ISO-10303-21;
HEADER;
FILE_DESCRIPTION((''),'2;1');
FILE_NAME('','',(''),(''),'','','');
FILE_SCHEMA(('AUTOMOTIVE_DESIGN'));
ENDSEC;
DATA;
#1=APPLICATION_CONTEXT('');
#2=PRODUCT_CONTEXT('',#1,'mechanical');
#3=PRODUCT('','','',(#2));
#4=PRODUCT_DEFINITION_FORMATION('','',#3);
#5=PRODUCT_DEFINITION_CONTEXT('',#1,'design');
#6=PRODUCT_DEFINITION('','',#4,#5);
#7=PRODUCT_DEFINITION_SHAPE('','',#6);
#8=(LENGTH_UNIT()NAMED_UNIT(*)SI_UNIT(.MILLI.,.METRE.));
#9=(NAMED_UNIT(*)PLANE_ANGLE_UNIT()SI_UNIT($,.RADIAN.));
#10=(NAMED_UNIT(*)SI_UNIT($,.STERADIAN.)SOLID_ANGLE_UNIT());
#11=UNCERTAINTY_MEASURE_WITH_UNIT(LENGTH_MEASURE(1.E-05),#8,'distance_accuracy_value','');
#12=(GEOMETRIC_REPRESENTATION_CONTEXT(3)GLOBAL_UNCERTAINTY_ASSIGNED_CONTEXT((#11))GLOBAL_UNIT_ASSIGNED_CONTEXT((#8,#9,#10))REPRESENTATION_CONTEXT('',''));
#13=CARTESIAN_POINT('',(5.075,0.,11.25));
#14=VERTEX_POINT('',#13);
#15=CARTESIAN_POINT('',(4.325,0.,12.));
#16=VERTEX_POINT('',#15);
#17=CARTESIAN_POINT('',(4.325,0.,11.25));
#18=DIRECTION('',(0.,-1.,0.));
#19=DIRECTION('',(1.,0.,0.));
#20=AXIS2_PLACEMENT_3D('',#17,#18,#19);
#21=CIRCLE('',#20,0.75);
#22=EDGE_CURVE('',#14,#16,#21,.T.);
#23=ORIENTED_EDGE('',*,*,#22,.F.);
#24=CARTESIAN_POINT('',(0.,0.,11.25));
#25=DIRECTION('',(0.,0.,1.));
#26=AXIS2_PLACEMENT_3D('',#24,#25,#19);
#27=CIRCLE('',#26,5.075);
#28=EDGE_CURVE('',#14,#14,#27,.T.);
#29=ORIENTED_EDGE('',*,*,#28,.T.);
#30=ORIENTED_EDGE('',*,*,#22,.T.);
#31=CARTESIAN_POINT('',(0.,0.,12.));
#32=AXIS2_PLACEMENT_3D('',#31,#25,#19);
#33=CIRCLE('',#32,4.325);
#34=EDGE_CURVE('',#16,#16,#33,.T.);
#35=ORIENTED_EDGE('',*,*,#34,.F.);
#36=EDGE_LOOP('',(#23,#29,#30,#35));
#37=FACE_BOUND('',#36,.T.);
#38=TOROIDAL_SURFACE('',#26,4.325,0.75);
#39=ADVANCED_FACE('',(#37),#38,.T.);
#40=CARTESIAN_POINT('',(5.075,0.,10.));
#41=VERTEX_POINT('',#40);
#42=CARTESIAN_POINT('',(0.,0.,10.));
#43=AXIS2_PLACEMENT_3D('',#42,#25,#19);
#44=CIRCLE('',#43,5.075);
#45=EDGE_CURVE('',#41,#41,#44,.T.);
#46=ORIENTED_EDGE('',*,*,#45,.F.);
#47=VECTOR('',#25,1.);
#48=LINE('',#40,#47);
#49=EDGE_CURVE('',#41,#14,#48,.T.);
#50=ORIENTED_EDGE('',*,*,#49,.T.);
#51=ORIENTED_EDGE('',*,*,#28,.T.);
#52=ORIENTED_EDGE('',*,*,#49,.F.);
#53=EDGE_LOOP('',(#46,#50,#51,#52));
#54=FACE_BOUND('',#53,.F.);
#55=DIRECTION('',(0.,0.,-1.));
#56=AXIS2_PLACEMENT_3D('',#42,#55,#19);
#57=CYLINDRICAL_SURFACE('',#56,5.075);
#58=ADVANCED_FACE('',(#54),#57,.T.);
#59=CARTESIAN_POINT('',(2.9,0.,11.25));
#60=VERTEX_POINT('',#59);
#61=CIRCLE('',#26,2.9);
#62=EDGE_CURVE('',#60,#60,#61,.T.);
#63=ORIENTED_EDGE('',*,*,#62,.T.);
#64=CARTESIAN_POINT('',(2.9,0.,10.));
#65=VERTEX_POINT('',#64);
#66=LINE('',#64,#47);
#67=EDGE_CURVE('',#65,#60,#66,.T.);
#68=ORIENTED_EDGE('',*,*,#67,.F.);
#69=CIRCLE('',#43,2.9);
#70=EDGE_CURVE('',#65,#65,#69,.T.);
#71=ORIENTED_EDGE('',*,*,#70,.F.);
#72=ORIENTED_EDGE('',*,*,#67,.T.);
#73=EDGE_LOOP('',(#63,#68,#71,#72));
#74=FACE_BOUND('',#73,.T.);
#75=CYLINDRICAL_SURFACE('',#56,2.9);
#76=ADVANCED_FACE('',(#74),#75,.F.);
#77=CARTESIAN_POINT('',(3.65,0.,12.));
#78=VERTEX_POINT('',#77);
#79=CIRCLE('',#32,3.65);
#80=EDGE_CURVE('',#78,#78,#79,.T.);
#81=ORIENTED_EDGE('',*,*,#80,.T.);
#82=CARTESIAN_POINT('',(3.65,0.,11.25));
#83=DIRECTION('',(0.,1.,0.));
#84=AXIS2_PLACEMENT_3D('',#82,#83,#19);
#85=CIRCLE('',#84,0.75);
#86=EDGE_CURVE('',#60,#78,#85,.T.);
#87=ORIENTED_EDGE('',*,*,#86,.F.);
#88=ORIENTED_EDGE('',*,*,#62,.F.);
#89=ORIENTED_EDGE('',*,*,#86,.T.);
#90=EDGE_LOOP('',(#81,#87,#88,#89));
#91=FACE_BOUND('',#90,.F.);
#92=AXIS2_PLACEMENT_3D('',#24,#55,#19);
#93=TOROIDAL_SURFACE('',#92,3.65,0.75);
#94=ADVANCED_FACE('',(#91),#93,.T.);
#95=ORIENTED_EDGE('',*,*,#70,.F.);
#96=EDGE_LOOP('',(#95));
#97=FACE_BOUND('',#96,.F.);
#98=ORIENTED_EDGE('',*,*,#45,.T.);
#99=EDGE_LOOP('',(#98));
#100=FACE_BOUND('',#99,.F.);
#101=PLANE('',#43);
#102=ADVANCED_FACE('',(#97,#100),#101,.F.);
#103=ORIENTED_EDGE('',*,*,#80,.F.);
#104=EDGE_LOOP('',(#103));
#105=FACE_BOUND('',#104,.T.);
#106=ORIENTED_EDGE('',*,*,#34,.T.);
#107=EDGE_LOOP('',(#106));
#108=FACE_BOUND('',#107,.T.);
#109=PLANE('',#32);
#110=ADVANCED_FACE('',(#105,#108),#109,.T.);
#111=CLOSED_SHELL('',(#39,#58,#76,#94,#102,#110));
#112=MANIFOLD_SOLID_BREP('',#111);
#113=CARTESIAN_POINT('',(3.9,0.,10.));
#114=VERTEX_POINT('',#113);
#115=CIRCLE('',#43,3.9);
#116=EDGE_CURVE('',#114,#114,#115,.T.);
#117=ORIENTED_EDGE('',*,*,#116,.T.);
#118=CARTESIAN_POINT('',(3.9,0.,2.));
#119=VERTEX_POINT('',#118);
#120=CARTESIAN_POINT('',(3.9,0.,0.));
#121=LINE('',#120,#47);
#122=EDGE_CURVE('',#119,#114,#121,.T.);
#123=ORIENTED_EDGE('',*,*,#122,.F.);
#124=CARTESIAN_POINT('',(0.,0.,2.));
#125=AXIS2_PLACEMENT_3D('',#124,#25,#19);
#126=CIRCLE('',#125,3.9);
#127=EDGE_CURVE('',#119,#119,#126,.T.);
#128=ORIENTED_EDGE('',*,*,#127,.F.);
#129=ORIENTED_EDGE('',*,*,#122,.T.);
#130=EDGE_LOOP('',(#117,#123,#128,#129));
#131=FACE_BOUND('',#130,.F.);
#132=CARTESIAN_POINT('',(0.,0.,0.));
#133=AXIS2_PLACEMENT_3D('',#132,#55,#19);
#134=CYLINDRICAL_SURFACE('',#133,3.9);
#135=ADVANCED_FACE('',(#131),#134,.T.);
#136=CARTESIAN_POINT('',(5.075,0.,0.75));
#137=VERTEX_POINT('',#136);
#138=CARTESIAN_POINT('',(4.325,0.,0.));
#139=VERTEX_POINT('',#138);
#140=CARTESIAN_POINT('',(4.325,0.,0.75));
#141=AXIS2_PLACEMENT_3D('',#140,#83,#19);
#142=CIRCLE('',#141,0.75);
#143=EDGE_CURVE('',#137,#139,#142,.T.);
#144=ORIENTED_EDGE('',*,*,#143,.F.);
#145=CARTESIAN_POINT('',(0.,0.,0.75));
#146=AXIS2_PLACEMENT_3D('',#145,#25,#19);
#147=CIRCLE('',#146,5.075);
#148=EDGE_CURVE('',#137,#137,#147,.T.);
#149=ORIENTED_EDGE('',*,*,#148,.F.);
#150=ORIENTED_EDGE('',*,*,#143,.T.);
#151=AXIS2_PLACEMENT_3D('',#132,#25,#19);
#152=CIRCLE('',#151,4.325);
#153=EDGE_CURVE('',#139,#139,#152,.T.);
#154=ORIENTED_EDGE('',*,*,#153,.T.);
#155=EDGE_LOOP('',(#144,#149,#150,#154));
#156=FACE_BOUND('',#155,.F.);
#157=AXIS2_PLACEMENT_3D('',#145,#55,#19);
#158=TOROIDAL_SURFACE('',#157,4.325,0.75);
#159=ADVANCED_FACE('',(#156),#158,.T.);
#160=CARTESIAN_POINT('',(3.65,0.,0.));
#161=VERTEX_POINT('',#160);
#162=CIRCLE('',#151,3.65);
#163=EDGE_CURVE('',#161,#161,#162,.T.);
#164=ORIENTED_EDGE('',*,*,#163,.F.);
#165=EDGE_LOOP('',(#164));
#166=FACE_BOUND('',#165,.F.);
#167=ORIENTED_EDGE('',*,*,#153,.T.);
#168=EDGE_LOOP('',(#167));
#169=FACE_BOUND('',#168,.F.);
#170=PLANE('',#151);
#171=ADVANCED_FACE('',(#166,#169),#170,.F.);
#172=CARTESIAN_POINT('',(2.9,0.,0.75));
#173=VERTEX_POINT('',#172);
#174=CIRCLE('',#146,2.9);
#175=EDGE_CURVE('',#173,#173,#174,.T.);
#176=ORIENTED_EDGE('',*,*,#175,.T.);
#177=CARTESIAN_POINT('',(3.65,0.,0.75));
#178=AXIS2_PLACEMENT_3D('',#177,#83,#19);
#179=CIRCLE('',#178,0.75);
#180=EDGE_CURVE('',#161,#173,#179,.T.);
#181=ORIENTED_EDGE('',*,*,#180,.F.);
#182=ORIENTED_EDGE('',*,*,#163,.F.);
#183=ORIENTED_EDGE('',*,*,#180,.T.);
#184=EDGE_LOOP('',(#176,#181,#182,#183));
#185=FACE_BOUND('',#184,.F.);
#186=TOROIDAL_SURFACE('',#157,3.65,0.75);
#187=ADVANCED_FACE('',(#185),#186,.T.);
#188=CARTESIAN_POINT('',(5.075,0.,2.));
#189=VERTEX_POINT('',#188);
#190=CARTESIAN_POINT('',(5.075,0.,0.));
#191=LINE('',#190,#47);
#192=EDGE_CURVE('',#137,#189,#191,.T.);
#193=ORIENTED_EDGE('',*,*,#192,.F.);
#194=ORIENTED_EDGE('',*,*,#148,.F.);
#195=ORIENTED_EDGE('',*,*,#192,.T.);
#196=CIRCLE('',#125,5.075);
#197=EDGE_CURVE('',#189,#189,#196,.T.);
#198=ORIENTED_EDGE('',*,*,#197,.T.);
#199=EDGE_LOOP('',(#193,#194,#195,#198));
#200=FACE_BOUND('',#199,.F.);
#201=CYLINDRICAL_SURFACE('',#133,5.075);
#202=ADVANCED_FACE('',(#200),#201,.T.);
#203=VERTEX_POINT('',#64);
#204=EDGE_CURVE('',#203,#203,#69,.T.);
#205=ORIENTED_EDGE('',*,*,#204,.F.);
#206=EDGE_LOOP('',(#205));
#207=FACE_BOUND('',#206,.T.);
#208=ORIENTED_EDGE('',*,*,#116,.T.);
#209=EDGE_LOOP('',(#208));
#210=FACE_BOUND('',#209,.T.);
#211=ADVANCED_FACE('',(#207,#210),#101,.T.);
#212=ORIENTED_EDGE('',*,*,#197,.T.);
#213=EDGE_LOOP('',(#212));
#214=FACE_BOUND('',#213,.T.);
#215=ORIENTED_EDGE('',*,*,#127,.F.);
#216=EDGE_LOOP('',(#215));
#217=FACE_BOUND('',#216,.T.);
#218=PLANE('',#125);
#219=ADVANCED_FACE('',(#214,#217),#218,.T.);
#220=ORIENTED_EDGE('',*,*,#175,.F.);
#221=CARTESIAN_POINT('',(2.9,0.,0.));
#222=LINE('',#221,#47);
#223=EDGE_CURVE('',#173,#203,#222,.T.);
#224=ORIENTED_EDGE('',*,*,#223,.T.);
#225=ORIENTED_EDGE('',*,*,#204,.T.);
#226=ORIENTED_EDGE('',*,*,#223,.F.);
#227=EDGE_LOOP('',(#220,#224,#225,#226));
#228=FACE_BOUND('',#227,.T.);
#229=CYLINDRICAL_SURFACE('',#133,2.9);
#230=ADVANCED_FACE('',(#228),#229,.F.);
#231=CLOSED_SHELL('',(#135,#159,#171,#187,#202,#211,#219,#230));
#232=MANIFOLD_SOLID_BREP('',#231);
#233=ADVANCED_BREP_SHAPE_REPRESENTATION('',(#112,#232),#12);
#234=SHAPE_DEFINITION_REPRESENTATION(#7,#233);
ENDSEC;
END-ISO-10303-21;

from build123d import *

# Parameters (mm, degrees)
F0_R     = 3.9
F0_R_2   = 2.9
F1_DEPTH = 10
F0_R_3   = 5.075
F2_DEPTH = 2
F3_R     = 0.75
F4_R     = 5.075
F4_R_2   = 3.9
F4_R_3   = 2.9
F5_DEPTH = 2
F6_R     = 0.75


with BuildPart() as f1:
    # F0 (on Top) → F1 (new body)
    with BuildSketch(Plane.XY):
        Circle(F0_R)
        Circle(F0_R_2, mode=Mode.SUBTRACT)
    extrude(amount=F1_DEPTH)

    # F0 (on Top) → F2 (join)
    with BuildSketch(Plane.XY):
        Circle(F0_R_3)
        Circle(F0_R, mode=Mode.SUBTRACT)
    extrude(amount=F2_DEPTH)

    # F3
    f3_edges = [f1.edges().sort_by_distance(p)[0] for p in [
        (-5.075, 0, 0),
        (-2.9, 0, 0),
    ]]
    fillet(f3_edges, radius=F3_R)


with BuildPart() as f5:
    # F4 (on face) → F5 (new body)
    with BuildSketch(Plane.XY.offset(10)):
        Circle(F4_R)
        Circle(F4_R_2, mode=Mode.SUBTRACT)
        Circle(F4_R_2)
        Circle(F4_R_3, mode=Mode.SUBTRACT)
    extrude(amount=F5_DEPTH)

    # F6
    f6_edges = [f5.edges().sort_by_distance(p)[0] for p in [
        (-5.075, 0, 12),
        (-2.9, 0, 12),
    ]]
    fillet(f6_edges, radius=F6_R)


solid = Compound([f1.part, f5.part])
